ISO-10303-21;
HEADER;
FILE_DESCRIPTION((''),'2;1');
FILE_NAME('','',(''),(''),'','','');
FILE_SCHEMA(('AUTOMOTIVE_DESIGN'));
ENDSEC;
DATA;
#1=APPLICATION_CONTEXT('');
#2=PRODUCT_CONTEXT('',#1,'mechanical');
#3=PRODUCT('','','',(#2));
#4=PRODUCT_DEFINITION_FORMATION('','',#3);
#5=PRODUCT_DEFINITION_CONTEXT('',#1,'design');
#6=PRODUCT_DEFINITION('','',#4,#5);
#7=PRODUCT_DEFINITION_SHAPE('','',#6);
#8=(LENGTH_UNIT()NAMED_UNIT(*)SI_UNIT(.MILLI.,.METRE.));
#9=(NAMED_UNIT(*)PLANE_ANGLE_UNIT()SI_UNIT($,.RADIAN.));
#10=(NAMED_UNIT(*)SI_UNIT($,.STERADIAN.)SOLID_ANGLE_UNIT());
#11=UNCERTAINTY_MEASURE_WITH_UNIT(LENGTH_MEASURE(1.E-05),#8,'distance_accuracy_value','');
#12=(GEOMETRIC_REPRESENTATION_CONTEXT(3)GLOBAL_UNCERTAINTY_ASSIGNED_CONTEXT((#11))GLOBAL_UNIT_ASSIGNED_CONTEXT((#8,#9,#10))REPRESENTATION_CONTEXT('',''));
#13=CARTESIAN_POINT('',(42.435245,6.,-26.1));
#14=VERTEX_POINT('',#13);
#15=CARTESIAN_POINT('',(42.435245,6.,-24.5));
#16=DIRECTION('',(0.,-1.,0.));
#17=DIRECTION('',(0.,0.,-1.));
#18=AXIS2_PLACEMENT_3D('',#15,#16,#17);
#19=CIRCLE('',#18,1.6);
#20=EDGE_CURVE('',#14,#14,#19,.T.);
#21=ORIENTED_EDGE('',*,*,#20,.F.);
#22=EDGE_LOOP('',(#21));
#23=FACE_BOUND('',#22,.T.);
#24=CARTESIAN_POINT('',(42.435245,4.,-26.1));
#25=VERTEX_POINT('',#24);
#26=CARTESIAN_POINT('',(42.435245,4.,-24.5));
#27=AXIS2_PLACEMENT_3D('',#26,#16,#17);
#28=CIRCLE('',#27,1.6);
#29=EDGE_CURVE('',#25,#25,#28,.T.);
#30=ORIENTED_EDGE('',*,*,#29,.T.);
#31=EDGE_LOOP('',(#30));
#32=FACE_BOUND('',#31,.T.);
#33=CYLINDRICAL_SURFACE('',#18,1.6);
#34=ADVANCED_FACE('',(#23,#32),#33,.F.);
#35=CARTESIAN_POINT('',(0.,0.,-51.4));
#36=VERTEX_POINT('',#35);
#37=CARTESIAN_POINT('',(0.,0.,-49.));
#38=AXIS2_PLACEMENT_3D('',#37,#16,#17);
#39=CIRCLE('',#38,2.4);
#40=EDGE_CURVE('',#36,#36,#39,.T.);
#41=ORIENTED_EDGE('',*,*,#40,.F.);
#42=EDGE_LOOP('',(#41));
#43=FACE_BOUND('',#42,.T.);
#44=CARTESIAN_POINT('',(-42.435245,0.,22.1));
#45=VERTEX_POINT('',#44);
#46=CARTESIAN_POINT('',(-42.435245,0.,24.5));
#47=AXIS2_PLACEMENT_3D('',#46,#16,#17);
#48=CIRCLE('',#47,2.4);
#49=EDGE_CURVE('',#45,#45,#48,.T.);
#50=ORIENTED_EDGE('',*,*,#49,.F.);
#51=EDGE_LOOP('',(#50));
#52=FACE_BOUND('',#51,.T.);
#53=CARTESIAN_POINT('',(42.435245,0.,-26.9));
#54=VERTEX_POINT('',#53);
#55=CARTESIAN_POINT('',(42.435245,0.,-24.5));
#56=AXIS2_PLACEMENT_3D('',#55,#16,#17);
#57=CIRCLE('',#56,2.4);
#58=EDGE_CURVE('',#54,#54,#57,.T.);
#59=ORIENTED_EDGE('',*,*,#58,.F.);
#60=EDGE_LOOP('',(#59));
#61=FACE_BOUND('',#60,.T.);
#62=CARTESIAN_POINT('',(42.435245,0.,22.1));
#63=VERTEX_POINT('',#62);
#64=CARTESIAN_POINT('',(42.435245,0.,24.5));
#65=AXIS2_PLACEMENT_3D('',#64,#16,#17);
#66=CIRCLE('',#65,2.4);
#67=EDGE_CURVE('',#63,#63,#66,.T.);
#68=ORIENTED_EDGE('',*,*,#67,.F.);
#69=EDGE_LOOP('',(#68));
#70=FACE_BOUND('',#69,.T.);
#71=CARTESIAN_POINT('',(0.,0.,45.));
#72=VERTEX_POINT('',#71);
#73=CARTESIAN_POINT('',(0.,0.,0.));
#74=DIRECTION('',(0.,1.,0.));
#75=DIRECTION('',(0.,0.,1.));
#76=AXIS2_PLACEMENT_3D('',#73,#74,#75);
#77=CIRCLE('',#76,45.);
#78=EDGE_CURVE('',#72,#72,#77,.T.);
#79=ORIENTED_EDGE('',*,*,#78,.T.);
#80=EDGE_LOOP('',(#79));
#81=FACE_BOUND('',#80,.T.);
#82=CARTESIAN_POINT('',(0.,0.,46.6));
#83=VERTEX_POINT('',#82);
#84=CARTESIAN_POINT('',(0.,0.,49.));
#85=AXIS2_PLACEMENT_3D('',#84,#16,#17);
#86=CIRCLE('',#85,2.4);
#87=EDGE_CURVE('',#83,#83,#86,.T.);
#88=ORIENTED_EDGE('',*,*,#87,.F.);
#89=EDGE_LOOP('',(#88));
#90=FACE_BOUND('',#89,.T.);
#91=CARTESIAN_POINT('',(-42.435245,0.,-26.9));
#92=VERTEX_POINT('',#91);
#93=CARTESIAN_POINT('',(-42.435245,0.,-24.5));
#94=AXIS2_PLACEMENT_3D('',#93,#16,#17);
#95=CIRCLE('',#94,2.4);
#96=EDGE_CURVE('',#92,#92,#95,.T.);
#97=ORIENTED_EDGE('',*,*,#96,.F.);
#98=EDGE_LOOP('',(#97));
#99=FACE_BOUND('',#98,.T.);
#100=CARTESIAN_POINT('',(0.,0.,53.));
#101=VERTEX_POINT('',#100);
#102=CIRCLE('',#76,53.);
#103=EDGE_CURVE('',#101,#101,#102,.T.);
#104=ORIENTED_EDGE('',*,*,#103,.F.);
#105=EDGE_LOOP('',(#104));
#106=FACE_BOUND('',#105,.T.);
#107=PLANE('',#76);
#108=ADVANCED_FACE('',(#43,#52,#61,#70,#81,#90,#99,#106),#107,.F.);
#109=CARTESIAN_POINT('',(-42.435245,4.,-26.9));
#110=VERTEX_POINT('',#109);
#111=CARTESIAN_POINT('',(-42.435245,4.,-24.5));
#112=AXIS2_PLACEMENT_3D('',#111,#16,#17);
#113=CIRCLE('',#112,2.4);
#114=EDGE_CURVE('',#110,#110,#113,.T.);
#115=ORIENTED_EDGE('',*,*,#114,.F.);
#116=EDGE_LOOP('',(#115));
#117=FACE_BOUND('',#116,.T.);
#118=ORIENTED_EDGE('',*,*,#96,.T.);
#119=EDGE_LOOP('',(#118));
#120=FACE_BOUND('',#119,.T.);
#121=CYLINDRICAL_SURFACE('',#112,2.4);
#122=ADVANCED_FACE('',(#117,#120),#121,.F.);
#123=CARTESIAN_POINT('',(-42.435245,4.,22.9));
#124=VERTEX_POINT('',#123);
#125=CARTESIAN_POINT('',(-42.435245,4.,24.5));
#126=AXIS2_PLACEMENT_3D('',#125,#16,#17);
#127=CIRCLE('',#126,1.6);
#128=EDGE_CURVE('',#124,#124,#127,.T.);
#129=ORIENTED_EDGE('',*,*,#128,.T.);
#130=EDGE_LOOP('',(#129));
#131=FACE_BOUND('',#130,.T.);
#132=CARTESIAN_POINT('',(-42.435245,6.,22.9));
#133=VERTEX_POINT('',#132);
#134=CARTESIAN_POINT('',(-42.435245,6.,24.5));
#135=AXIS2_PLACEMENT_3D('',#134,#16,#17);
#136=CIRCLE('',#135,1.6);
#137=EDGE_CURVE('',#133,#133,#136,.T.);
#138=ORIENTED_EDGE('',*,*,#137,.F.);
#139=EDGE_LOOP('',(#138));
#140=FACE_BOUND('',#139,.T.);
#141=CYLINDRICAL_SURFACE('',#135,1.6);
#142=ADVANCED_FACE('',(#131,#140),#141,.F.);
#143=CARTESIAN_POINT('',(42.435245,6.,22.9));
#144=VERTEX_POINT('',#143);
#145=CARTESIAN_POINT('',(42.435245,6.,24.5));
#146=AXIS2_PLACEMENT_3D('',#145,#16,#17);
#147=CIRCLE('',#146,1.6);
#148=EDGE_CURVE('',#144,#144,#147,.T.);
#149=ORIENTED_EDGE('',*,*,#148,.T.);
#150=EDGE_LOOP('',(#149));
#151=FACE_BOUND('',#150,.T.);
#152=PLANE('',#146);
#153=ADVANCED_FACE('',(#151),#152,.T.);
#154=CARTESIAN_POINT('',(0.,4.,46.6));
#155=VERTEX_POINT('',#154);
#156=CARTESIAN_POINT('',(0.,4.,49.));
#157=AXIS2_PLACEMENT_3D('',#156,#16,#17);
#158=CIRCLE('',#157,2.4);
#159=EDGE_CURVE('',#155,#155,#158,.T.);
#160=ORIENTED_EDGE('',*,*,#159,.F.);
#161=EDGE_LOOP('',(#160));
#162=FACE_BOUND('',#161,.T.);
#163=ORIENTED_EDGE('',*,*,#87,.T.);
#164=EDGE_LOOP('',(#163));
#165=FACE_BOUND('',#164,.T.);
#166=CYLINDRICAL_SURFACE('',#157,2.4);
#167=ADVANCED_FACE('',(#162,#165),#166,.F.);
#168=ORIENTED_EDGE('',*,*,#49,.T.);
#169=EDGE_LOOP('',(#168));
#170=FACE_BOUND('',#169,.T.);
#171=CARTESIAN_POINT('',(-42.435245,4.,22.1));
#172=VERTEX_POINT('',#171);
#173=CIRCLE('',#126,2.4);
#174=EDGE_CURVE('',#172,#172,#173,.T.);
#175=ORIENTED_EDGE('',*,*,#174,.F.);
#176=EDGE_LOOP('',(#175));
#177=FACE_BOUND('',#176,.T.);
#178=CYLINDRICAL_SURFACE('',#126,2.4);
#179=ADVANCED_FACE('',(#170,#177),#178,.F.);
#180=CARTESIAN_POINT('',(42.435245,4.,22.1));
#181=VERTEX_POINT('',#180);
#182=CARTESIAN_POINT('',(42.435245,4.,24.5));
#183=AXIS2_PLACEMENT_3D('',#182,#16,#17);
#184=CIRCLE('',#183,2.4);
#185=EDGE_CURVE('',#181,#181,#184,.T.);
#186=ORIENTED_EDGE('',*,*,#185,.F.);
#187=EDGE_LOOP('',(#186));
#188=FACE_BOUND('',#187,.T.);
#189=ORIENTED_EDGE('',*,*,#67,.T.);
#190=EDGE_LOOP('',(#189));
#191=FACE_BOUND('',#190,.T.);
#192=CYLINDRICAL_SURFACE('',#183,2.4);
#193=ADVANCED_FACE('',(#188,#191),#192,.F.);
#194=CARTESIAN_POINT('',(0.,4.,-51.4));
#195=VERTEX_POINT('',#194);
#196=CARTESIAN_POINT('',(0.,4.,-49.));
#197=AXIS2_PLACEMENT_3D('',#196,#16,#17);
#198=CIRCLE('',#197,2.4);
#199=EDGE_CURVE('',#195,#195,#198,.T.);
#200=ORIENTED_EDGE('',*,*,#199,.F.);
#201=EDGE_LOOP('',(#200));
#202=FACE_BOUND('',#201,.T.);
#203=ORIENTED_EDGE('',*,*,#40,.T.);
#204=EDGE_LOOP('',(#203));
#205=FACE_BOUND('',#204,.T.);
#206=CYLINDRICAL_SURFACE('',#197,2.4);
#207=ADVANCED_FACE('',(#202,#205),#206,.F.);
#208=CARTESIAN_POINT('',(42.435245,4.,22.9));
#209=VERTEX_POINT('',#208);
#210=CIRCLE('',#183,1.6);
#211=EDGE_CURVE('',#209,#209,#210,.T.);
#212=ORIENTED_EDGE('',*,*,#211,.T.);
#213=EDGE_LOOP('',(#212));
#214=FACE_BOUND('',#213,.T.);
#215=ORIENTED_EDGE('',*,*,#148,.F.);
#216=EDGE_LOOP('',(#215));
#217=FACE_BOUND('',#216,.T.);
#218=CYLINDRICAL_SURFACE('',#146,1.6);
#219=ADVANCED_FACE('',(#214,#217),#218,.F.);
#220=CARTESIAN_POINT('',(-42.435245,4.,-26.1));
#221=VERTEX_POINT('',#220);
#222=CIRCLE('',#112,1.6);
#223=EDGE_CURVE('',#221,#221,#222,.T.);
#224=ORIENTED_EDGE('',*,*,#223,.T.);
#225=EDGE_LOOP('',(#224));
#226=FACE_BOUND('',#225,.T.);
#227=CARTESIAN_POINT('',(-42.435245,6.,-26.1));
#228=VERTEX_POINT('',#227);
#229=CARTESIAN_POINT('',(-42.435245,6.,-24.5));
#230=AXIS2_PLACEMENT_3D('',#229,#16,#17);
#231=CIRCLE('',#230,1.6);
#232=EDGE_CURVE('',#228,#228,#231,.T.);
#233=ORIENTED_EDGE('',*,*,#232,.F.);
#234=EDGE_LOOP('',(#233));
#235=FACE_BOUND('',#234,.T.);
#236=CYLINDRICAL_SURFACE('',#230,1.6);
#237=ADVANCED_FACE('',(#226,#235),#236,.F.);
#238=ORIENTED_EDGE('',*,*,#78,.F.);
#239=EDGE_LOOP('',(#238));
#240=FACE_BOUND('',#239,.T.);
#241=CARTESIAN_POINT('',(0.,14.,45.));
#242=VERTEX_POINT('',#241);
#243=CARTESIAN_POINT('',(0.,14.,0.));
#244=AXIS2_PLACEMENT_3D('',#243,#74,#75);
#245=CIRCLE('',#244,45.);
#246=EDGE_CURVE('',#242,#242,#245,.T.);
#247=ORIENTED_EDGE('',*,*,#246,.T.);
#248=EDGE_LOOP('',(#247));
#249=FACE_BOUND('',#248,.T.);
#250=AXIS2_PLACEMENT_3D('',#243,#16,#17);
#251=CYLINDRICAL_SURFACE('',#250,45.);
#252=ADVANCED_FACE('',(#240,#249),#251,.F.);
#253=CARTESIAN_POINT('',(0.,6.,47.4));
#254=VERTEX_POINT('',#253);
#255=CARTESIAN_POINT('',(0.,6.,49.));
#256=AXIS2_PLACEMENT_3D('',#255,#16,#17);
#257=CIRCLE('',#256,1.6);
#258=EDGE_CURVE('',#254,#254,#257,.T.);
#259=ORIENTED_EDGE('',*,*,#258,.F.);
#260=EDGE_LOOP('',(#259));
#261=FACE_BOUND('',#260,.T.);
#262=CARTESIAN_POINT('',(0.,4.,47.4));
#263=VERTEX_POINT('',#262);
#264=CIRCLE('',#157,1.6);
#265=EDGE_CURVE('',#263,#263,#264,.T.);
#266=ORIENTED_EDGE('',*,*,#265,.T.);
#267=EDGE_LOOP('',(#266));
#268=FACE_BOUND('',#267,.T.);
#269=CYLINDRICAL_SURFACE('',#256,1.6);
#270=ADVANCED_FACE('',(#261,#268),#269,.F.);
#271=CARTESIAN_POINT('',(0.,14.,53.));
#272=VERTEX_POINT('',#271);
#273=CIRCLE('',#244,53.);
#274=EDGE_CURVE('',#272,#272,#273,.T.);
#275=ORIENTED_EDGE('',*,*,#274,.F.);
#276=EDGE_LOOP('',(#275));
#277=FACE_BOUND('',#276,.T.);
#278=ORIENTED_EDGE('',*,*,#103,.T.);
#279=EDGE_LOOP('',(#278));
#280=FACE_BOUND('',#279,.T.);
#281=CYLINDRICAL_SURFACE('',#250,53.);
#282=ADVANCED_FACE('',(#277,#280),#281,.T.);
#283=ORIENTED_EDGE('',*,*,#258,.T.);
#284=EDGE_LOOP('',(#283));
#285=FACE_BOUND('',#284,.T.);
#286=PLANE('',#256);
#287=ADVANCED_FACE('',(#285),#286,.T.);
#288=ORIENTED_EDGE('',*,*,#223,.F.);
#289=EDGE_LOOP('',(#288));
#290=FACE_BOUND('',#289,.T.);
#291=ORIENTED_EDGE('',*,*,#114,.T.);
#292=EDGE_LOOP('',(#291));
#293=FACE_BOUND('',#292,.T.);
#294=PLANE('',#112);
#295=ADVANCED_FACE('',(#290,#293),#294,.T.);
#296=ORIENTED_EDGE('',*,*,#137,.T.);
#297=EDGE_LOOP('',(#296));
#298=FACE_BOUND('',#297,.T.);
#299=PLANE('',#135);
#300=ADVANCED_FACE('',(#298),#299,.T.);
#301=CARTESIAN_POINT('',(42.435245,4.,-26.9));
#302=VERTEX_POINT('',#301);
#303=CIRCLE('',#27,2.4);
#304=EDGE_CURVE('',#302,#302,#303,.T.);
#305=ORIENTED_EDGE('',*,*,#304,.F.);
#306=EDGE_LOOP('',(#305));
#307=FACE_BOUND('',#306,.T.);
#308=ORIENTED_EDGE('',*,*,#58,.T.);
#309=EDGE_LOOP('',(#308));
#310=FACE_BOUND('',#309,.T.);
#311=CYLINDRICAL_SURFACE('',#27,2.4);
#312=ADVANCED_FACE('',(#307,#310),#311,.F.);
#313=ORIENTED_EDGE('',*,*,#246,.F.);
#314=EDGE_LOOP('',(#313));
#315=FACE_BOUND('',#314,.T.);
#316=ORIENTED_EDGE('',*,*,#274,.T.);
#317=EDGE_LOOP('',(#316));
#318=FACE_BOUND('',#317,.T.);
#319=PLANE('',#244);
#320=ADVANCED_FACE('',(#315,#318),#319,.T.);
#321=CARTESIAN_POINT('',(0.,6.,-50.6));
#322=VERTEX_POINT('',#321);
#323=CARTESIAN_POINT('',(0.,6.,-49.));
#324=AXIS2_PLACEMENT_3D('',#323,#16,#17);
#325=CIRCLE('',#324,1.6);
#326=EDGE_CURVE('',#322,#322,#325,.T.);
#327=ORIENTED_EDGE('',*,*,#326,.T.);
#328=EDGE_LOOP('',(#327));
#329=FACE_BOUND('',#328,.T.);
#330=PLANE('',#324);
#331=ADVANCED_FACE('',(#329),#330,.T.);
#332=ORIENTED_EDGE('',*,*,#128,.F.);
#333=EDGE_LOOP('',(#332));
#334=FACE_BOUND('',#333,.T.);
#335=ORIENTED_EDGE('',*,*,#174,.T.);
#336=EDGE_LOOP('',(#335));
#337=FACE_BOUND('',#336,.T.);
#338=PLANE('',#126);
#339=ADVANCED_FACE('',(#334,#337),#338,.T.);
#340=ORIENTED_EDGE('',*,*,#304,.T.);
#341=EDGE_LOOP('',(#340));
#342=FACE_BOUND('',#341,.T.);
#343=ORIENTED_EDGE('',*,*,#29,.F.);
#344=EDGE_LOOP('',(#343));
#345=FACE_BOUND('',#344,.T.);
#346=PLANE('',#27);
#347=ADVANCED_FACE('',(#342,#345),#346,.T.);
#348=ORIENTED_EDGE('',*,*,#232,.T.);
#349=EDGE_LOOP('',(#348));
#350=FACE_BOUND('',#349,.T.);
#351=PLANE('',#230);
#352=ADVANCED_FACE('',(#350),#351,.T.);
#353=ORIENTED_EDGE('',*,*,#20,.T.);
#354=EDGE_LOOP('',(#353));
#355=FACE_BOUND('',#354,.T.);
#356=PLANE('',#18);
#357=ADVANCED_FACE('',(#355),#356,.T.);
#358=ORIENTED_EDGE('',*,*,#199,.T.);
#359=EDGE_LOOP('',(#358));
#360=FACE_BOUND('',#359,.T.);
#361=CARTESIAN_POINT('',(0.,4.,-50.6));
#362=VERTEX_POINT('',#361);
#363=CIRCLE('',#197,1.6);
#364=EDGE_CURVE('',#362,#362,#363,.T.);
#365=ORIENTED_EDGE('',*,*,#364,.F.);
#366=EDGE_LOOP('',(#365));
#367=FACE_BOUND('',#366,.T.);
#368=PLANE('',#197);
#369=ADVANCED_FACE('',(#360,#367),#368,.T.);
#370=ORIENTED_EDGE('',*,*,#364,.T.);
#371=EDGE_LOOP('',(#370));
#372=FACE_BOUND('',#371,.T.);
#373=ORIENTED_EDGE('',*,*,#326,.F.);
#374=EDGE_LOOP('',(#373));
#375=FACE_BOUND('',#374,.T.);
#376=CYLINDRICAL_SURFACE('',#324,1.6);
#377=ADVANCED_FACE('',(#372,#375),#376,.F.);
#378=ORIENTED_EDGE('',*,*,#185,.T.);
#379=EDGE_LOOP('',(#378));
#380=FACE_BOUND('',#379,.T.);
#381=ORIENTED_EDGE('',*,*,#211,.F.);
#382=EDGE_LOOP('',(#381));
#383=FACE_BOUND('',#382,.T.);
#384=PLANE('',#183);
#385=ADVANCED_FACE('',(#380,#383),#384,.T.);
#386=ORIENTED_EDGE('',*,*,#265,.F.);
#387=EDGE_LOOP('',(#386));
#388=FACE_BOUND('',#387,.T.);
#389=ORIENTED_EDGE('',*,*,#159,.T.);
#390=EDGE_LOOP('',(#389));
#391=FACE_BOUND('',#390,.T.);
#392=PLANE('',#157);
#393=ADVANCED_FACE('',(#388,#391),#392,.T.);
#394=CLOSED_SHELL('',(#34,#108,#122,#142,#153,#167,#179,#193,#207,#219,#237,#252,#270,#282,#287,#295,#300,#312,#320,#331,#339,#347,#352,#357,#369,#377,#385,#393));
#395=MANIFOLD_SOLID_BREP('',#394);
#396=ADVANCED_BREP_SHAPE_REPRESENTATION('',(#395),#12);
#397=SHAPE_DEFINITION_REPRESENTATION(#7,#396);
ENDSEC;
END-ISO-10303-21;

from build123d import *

# Parameters (mm, degrees)
SKETCH1_R           = 53
SKETCH1_R_2         = 45
BOSS_EXTRUDE1_DEPTH = 14
SKETCH2_R           = 2.4
CUT_EXTRUDE1_DEPTH  = 4
SKETCH3_R           = 1.6
CUT_EXTRUDE2_DEPTH  = 6


with BuildPart() as part:
    # Sketch1 → Boss-Extrude1 (new body)
    with BuildSketch(Plane(origin=(0, 0, 0), x_dir=(1, 0, 0), z_dir=(0, 1, 0))):
        with Locations(Location((0, 0, 0), (0, 0, 270))):
            Circle(SKETCH1_R)
        with Locations(Location((0, 0, 0), (0, 0, 270))):
            Circle(SKETCH1_R_2, mode=Mode.SUBTRACT)
    extrude(amount=BOSS_EXTRUDE1_DEPTH)

    # Sketch2 → Cut-Extrude1 (cut)
    with BuildSketch(Plane.XZ):
        with Locations(Location((0, 49, 0), (0, 0, 270))):
            Circle(SKETCH2_R)
        with Locations(Location((42.435244785, 24.5, 0), (0, 0, 270))):
            Circle(SKETCH2_R)
        with Locations(Location((42.435244785, -24.5, 0), (0, 0, 270))):
            Circle(SKETCH2_R)
        with Locations(Location((0, -49, 0), (0, 0, 270))):
            Circle(SKETCH2_R)
        with Locations(Location((-42.435244785, -24.5, 0), (0, 0, 270))):
            Circle(SKETCH2_R)
        with Locations(Location((-42.435244785, 24.5, 0), (0, 0, 270))):
            Circle(SKETCH2_R)
    extrude(amount=-CUT_EXTRUDE1_DEPTH, mode=Mode.SUBTRACT)

    # Sketch3 → Cut-Extrude2 (cut)
    with BuildSketch(Plane.XZ):
        with Locations(Location((0, 49, 0), (0, 0, 270))):
            Circle(SKETCH3_R)
        with Locations(Location((42.435244785, 24.5, 0), (0, 0, 270))):
            Circle(SKETCH3_R)
        with Locations(Location((42.435244785, -24.5, 0), (0, 0, 270))):
            Circle(SKETCH3_R)
        with Locations(Location((0, -49, 0), (0, 0, 270))):
            Circle(SKETCH3_R)
        with Locations(Location((-42.435244785, 24.5, 0), (0, 0, 270))):
            Circle(SKETCH3_R)
        with Locations(Location((-42.435244785, -24.5, 0), (0, 0, 270))):
            Circle(SKETCH3_R)
    extrude(amount=-CUT_EXTRUDE2_DEPTH, mode=Mode.SUBTRACT)


solid = part.part
